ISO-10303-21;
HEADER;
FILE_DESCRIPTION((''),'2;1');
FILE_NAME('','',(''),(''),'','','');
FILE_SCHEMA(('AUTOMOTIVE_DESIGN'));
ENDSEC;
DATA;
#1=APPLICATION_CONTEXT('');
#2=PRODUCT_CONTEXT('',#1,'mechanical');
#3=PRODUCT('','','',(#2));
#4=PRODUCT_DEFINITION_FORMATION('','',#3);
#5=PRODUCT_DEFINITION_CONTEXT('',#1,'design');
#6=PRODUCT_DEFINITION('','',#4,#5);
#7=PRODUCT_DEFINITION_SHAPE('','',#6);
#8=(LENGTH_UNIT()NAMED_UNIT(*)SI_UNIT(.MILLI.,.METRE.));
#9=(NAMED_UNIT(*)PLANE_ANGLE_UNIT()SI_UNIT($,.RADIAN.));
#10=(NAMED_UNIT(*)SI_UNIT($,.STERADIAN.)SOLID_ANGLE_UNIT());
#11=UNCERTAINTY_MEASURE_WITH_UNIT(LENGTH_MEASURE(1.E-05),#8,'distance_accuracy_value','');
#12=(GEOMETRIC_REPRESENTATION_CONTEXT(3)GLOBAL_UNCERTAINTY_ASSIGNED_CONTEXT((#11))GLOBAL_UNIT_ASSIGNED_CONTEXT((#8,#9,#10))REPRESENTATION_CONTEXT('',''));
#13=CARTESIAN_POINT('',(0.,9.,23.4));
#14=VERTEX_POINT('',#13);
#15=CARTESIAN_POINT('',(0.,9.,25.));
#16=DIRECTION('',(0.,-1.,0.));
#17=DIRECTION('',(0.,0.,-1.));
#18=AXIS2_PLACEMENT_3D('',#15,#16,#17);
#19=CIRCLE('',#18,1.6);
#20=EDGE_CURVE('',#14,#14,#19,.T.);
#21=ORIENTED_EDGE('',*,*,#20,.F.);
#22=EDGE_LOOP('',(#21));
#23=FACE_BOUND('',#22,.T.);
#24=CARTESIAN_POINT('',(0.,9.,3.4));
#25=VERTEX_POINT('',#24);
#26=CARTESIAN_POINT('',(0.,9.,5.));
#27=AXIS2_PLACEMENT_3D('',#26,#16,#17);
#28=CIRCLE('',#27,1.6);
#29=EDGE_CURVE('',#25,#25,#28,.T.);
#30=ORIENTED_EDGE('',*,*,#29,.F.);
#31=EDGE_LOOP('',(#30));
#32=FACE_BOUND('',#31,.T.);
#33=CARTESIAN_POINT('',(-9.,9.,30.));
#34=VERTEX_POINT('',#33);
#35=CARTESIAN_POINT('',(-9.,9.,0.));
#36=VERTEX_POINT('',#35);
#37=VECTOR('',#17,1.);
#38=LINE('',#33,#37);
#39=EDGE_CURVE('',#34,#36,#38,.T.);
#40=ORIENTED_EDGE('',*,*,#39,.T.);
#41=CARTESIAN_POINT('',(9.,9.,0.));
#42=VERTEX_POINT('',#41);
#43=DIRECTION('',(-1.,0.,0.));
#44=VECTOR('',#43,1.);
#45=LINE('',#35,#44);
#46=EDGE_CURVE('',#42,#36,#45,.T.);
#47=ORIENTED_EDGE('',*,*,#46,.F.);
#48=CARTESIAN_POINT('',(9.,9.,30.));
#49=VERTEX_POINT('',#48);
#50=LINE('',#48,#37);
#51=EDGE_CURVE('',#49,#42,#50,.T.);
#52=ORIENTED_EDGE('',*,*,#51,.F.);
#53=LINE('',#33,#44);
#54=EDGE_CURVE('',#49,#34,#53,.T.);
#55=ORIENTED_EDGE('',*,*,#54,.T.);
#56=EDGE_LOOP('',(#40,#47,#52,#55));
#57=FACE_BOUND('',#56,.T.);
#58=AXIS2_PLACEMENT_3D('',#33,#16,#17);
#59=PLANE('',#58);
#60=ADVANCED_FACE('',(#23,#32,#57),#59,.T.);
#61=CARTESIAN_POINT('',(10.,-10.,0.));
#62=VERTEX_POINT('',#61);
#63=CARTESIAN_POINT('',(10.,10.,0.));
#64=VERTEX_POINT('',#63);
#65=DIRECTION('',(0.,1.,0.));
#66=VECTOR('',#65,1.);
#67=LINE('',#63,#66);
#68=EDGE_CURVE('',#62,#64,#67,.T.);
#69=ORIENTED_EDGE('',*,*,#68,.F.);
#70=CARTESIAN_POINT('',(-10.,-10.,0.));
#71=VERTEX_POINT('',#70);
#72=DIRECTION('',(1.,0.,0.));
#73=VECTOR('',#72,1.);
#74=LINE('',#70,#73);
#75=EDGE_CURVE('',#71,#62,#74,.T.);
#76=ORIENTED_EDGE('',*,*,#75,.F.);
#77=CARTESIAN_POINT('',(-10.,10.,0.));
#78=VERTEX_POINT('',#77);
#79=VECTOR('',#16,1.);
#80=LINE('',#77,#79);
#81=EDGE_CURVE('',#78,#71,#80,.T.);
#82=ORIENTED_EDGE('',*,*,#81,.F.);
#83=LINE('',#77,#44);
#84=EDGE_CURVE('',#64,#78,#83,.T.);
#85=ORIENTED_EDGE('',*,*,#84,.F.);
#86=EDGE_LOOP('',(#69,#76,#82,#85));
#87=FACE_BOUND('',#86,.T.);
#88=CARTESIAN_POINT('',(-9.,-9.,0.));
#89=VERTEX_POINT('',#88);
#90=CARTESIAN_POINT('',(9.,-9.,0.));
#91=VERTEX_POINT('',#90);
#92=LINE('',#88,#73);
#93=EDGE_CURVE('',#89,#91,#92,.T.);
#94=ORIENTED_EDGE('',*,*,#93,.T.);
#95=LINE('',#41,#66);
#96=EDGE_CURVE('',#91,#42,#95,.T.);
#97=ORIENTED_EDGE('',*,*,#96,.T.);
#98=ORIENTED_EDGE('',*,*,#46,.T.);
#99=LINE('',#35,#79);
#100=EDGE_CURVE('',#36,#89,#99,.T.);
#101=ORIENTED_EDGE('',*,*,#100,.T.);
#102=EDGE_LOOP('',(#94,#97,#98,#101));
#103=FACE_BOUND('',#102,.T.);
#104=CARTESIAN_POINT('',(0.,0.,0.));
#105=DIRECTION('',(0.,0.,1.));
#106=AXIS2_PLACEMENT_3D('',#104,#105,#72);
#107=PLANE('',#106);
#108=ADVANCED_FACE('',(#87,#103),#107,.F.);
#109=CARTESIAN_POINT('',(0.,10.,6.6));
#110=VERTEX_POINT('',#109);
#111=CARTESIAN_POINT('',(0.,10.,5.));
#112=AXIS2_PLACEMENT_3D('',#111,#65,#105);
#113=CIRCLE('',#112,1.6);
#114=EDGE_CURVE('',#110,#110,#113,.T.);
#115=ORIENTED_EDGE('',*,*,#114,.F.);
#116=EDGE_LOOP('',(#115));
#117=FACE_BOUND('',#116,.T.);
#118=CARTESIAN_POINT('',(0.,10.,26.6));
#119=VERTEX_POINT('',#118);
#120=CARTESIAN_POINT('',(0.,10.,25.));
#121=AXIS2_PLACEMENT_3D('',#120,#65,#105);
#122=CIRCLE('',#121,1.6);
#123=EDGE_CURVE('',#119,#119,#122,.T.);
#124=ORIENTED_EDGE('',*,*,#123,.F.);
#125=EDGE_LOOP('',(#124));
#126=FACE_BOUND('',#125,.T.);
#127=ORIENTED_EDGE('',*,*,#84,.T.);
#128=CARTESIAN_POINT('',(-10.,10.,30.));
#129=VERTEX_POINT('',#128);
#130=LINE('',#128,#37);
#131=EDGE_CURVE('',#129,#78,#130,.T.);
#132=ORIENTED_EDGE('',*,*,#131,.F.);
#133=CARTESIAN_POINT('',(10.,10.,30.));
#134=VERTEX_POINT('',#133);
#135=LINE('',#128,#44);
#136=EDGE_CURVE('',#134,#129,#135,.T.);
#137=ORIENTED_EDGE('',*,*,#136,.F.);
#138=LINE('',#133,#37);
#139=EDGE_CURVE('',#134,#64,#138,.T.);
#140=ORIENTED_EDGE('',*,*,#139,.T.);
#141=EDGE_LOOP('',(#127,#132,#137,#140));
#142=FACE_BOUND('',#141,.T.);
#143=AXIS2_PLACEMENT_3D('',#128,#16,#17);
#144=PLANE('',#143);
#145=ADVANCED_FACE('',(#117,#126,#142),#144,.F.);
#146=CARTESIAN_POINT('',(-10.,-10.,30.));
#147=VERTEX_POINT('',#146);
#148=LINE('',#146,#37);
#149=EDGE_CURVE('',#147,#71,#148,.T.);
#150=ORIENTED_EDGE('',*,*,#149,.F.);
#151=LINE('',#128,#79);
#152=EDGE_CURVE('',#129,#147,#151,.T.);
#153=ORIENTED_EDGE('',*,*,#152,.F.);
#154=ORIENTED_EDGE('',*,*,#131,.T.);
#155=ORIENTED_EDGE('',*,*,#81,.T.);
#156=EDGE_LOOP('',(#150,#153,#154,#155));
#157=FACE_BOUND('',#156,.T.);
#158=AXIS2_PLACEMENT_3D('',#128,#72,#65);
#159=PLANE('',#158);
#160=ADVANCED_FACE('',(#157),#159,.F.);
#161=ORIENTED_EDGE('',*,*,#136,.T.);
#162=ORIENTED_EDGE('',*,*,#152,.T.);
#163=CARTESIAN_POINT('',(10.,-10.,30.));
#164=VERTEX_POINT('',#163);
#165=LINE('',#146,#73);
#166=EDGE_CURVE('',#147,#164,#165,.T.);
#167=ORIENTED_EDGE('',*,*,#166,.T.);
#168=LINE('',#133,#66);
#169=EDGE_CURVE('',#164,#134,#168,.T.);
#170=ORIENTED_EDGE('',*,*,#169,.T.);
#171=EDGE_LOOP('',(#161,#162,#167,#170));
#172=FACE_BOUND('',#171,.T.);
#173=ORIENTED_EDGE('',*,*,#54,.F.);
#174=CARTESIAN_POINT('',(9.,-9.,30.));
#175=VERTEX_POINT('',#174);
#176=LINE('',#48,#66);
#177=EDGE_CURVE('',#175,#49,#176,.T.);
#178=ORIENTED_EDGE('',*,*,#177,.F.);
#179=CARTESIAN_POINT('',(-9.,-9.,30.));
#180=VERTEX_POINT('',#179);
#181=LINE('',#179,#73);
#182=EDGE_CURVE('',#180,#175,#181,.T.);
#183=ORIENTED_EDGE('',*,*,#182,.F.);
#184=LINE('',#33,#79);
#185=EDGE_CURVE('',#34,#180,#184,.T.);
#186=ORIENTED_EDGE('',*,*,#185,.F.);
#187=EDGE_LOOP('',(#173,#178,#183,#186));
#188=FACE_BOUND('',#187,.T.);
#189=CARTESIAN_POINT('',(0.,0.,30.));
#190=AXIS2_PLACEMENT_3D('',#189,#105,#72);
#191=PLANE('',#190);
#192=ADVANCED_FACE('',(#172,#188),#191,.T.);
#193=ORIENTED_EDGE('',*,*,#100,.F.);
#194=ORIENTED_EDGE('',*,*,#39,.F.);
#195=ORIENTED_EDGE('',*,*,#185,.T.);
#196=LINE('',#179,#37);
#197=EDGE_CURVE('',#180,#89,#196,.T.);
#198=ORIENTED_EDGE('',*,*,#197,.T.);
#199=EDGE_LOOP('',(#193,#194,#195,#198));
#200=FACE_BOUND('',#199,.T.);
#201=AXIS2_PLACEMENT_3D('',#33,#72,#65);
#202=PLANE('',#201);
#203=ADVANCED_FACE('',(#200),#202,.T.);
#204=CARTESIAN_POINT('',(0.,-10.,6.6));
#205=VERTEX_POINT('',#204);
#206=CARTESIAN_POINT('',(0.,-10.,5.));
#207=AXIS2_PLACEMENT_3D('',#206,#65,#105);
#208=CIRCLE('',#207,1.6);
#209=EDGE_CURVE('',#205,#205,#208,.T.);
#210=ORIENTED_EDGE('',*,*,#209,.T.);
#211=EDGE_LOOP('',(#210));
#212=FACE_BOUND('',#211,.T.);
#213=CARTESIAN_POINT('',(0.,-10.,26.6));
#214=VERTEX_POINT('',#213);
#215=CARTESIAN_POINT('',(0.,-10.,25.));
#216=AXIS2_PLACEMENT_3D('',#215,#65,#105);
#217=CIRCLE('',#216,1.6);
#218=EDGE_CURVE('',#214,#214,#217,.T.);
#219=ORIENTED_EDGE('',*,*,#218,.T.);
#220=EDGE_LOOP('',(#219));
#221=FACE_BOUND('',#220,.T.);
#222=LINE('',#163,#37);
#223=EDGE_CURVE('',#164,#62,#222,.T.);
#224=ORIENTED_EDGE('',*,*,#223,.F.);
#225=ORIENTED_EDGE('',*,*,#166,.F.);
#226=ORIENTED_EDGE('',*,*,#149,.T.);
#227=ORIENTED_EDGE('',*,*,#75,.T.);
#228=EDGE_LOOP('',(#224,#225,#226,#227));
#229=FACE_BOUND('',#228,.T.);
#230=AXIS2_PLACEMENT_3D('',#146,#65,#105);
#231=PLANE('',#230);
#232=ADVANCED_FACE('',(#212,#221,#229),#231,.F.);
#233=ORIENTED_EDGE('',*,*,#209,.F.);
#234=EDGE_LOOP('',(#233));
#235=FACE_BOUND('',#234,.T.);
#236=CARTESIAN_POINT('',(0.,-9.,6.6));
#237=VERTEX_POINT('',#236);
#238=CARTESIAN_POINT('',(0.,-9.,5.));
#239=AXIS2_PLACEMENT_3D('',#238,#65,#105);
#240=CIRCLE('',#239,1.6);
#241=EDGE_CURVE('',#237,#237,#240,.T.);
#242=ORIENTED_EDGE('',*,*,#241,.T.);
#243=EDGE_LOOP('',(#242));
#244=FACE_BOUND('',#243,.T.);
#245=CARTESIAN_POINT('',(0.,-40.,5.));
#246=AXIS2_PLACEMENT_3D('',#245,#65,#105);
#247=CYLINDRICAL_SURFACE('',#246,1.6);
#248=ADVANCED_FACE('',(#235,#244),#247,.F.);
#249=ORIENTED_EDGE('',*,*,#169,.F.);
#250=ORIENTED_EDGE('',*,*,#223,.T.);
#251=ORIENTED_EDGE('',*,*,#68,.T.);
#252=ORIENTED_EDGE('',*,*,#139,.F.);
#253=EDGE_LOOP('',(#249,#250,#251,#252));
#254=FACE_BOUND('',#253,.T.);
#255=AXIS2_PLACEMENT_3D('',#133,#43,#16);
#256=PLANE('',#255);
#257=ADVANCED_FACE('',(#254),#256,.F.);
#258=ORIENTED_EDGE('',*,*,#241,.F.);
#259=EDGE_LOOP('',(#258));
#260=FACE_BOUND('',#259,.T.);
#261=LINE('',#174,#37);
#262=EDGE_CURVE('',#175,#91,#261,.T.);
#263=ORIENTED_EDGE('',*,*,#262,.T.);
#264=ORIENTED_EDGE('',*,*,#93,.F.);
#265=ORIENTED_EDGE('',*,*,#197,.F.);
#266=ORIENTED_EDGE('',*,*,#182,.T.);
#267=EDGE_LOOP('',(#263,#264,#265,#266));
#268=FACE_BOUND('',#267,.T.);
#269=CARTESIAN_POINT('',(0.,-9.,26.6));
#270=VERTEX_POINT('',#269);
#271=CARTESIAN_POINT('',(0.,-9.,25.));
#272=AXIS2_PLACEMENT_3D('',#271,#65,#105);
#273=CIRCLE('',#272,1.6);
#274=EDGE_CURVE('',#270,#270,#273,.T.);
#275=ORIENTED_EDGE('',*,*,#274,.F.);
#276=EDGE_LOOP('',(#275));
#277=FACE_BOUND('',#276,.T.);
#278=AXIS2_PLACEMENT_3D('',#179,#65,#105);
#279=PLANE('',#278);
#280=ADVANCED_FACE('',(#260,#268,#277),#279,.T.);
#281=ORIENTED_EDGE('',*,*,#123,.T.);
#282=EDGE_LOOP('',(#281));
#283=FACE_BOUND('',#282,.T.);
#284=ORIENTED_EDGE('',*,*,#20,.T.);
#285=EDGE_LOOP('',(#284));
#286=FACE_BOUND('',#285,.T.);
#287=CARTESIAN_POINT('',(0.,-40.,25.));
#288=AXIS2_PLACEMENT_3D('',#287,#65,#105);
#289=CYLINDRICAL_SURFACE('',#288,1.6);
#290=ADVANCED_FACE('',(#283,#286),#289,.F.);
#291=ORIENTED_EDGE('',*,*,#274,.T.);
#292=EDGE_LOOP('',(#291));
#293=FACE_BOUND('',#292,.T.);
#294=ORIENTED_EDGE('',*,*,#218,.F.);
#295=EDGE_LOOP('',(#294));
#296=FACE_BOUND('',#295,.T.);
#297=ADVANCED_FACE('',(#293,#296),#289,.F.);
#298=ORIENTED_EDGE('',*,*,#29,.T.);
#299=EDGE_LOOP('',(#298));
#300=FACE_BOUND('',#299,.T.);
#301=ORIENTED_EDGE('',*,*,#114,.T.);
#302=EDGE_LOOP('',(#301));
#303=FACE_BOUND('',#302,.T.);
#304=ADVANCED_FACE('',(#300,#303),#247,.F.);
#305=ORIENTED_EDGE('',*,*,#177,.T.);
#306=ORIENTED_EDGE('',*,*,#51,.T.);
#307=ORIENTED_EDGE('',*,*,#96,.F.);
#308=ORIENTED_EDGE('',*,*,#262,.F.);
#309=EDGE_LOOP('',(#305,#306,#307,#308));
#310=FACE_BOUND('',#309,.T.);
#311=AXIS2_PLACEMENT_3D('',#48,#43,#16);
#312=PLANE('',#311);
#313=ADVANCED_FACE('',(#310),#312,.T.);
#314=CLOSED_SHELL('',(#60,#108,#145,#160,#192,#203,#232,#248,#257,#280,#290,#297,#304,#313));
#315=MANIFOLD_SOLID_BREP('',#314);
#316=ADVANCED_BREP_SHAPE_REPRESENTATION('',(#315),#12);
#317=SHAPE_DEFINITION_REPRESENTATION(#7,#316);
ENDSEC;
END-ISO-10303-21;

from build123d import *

# Parameters (mm, degrees)
SKETCH_1_W          = 20
SKETCH_1_H          = 20
SKETCH_1_W_2        = 18
SKETCH_1_H_2        = 18
EXTRUDE_1_DEPTH     = 30
SKETCH_2_R          = 1.6
CUT_EXTRUDE_1_DEPTH = 50


with BuildPart() as part:
    # 草图1 → 凸台-拉伸1 (new body)
    with BuildSketch(Plane.XY):
        Rectangle(SKETCH_1_W, SKETCH_1_H)
        Rectangle(SKETCH_1_W_2, SKETCH_1_H_2, mode=Mode.SUBTRACT)
    extrude(amount=EXTRUDE_1_DEPTH)

    # 草图2 → 切除-拉伸1 (cut)
    with BuildSketch(Plane(origin=(0, 10, 0), x_dir=(1, 0, 0), z_dir=(0, 1, 0))):
        with Locations(Location((0, -5, 0), (0, 0, 270))):
            Circle(SKETCH_2_R)
        with Locations(Location((0, -25, 0), (0, 0, 270))):
            Circle(SKETCH_2_R)
    extrude(amount=-CUT_EXTRUDE_1_DEPTH, mode=Mode.SUBTRACT)


solid = part.part
